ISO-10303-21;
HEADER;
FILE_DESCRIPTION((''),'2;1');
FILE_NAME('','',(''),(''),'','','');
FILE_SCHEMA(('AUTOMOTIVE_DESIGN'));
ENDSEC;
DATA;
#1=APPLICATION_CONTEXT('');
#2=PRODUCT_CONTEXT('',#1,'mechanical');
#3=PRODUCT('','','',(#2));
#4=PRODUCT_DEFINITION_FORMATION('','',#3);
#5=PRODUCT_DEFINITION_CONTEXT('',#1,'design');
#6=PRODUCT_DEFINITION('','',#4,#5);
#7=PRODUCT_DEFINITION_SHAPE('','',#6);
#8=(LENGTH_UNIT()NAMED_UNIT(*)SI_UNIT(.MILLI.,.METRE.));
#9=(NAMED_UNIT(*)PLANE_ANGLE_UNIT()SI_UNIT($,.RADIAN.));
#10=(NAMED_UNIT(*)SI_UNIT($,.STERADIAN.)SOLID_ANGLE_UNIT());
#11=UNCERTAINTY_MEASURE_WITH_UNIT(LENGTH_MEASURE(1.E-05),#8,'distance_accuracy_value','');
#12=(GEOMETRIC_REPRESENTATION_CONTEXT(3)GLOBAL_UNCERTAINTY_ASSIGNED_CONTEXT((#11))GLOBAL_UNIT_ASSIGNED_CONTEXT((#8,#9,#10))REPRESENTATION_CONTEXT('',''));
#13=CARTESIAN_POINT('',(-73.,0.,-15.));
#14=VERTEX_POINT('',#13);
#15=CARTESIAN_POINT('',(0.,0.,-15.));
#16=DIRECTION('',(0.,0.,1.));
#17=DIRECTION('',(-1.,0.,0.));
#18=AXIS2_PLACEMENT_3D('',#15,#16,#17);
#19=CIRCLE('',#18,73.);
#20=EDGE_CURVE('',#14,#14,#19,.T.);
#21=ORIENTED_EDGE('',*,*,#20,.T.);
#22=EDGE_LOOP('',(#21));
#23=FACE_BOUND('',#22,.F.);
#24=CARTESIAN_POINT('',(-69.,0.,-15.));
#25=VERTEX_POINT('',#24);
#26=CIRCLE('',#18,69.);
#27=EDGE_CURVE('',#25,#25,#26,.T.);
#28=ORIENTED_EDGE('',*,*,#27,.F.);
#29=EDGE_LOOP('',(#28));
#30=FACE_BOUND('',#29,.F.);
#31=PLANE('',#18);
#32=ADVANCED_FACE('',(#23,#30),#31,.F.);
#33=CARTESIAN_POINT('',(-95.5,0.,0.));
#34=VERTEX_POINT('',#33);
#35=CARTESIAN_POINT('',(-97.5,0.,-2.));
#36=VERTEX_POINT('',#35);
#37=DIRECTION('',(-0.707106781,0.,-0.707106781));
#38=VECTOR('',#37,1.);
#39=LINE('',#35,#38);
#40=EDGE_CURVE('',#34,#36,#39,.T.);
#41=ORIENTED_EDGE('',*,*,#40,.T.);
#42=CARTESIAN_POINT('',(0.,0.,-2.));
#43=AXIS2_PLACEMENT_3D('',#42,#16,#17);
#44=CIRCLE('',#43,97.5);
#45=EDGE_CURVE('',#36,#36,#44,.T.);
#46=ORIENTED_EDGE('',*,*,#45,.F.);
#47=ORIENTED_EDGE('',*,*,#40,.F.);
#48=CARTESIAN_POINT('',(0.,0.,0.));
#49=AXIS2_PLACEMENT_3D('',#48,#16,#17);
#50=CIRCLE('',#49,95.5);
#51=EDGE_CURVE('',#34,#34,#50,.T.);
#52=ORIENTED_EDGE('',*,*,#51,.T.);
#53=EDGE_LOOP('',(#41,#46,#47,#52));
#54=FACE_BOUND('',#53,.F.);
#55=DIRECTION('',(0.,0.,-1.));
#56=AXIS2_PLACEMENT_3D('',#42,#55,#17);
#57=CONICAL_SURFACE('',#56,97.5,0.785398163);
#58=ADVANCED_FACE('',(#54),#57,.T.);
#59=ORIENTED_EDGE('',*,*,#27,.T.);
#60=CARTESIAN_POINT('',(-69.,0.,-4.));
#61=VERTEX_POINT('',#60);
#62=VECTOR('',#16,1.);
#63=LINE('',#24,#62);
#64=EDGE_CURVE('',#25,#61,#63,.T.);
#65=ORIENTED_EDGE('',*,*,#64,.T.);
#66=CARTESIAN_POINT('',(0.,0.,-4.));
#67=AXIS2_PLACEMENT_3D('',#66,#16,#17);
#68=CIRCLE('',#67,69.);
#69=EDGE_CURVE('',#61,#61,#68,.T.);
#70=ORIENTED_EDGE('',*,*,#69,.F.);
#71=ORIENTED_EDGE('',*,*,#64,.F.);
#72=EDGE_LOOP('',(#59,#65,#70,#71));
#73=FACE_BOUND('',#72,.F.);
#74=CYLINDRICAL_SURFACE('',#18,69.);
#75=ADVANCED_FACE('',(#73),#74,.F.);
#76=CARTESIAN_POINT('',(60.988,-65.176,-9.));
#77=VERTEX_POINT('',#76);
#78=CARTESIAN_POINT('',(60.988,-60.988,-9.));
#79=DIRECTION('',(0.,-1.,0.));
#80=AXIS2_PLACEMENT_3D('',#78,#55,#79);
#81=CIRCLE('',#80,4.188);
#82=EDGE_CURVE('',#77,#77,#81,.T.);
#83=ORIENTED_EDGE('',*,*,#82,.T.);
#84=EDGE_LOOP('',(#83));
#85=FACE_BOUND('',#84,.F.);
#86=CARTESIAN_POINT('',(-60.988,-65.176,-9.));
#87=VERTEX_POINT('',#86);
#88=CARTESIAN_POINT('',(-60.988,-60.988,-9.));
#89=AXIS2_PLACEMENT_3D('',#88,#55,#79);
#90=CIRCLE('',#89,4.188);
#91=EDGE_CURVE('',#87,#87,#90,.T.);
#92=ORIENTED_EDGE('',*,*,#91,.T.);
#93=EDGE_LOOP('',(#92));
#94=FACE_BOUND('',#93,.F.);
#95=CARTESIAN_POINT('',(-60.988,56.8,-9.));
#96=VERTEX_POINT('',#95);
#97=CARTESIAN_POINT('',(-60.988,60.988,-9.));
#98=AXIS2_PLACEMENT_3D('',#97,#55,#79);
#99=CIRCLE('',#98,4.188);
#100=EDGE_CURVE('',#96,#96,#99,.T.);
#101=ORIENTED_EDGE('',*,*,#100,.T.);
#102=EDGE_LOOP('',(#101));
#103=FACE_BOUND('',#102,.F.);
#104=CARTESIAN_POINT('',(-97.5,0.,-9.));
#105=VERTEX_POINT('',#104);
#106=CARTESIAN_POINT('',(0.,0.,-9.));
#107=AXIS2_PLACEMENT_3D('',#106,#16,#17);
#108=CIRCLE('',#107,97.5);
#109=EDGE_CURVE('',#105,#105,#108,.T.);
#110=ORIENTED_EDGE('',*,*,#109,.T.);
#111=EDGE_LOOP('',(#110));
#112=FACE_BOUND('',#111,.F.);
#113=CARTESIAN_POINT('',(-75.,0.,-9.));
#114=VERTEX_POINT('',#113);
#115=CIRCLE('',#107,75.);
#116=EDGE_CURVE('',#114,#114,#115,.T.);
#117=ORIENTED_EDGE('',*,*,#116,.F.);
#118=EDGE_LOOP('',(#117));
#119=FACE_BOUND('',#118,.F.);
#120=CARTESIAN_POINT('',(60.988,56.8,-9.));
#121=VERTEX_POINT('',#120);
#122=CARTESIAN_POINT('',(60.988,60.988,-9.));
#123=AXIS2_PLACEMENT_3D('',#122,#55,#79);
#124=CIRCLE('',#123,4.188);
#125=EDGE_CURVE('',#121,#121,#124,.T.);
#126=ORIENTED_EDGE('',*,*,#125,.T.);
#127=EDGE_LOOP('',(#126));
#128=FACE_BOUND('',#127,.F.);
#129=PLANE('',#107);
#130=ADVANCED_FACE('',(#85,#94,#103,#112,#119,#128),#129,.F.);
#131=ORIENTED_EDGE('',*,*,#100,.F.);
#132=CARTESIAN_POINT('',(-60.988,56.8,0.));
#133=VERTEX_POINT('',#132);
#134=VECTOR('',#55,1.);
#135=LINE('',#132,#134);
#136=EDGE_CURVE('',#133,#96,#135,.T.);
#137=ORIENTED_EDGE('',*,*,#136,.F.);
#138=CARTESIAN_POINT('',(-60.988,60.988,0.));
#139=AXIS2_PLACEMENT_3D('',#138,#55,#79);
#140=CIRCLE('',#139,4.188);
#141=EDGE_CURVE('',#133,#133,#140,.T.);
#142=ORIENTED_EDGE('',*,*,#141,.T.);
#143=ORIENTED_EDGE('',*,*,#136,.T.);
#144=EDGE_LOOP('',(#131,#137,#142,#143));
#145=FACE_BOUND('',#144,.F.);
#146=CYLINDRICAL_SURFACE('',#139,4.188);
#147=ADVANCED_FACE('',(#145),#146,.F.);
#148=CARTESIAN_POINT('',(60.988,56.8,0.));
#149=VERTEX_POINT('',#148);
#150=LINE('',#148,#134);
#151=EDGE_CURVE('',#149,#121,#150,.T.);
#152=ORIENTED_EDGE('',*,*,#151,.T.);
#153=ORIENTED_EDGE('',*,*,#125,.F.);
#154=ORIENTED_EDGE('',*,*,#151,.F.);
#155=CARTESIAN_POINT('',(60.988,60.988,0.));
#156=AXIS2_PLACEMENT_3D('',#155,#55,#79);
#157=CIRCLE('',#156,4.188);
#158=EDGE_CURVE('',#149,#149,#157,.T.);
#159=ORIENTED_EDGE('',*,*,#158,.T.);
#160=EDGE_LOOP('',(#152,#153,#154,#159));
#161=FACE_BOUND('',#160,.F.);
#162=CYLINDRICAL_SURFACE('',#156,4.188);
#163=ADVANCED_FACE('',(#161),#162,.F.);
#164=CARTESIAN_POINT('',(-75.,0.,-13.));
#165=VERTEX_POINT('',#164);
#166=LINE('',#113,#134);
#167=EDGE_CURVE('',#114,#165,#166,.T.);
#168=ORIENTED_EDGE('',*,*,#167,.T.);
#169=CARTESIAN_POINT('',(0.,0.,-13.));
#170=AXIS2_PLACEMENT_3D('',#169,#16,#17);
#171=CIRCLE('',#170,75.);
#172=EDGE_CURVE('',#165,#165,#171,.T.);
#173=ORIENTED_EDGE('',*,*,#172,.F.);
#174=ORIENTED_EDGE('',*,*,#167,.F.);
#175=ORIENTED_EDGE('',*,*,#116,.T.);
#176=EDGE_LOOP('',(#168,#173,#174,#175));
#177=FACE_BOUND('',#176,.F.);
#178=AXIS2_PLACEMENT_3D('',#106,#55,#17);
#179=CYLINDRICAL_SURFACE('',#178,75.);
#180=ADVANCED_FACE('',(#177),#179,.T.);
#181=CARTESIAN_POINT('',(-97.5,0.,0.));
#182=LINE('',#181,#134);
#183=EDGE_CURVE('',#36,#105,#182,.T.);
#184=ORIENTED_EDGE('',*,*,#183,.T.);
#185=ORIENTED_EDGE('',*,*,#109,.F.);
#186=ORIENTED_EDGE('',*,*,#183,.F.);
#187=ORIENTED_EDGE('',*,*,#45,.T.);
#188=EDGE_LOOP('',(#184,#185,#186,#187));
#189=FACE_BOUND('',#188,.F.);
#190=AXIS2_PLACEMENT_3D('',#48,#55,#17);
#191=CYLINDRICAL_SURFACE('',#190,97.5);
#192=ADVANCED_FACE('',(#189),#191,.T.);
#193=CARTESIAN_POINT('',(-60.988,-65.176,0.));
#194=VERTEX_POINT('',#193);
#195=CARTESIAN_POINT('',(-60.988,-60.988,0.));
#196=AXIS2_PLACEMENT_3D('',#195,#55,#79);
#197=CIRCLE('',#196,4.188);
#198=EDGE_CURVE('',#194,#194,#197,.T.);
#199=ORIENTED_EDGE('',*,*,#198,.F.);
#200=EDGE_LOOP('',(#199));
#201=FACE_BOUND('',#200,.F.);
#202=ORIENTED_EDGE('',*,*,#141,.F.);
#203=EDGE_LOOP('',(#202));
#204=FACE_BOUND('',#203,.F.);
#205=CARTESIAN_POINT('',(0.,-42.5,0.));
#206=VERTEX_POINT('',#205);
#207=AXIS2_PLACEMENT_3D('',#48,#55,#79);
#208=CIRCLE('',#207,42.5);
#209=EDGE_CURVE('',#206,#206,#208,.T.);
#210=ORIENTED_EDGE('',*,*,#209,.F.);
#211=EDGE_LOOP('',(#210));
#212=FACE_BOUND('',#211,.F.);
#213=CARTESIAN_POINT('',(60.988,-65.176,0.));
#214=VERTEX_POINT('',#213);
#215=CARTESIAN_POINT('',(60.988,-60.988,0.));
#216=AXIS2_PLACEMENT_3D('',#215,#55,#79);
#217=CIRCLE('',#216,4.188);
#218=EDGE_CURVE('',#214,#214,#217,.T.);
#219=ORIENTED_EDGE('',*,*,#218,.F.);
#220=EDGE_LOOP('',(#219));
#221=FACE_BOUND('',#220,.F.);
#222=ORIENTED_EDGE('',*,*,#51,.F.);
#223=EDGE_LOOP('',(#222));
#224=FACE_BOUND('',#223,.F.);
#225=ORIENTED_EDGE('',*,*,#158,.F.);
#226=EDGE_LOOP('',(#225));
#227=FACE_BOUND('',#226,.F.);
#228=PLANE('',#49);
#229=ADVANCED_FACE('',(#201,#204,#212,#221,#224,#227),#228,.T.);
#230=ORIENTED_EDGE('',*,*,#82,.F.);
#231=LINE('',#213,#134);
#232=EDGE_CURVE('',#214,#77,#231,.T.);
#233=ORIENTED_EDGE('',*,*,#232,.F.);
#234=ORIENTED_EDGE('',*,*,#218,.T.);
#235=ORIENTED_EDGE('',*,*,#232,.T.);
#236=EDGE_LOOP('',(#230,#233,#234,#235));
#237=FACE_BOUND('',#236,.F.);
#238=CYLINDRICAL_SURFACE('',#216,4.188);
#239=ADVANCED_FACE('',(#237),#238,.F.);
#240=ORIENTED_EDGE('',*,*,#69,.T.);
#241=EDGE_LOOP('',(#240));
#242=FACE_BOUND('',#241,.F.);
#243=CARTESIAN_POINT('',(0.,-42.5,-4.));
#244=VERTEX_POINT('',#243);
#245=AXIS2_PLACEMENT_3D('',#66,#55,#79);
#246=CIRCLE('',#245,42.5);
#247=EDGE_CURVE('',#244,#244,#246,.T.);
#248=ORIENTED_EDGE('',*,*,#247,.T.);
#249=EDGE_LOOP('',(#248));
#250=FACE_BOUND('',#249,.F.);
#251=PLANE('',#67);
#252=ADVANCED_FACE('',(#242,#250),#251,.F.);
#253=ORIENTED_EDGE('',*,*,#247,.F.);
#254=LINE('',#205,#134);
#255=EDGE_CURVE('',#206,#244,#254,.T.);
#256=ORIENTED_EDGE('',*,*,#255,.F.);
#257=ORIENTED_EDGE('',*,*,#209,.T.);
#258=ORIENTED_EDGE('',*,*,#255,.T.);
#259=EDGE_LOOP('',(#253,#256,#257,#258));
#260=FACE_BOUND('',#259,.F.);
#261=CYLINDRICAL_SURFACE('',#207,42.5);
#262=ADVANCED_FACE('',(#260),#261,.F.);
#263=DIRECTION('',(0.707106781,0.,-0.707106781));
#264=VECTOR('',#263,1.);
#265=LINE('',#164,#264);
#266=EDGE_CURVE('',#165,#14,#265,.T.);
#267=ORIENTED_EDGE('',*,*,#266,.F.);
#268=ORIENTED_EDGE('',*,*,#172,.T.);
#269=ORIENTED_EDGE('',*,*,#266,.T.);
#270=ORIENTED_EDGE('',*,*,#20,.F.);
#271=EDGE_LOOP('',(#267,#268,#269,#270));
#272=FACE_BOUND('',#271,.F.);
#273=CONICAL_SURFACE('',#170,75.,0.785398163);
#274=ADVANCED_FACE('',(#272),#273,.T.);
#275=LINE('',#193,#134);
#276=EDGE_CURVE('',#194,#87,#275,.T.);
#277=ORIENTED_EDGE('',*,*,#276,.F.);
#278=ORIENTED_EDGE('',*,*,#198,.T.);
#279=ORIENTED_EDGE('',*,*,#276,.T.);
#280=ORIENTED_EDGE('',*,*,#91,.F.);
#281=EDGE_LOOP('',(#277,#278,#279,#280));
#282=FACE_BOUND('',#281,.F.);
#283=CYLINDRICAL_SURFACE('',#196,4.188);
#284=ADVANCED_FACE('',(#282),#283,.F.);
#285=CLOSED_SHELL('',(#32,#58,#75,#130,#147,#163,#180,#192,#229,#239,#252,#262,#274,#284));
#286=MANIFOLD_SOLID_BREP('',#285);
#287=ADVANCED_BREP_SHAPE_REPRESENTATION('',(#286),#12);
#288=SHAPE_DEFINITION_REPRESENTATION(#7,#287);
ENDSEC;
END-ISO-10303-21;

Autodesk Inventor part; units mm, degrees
ref_plane "YZ Plane" through (0, 0, 0) normal (1, 0, 0) x (0, 1, 0)
ref_plane "XZ Plane" through (0, 0, 0) normal (0, 1, 0) x (-1, 0, 0)
ref_plane "XY Plane" through (0, 0, 0) normal (0, 0, 1) x (1, 0, 0)
sketch "Эскиз1" plane through (0, 0, 0) normal (0, 1, 0) x (-1, 0, 0)
  line L0 (0, 0) -> (97.5, 0)
  line L1 (97.5, 0) -> (97.5, -9)
  line L2 (97.5, -9) -> (75, -9)
  line L3 (75, -9) -> (75, -15)
  line L4 (0, -4) -> (0, 0)
  line L5 (75, -15) -> (69, -15)
  line L6 (69, -15) -> (69, -4)
  line L7 (69, -4) -> (0, -4)
  dimension "d0" = 195
  dimension "d1" = 150
  dimension "d3" = 9
  dimension "d5" = 15
  dimension "d6" = 138
  dimension "d7" = 4
revolve "Вращение1" add sketch "Эскиз1" angle 360 about axis through (0, 0, -4) along (0, 0, 1)
sketch "Эскиз3" plane through (0, 0, 0) normal (0, 0, 1) x (1, 0, 0)
  circle A0 centre (0, 0) radius 86.25 construction
  line L0 (0, 0) -> (-91.162, -91.162) construction
  line L1 (0, 0) -> (128.9225, 0) construction
  point P0 (0, 0)
  point P1 (-60.988, -60.988)
  point P2 (60.988, -60.988)
  point P3 (60.988, 60.988)
  point P4 (-60.988, 60.988)
  dimension "d15" = 172.5
  dimension "d16" = 135
  dimension "d19" = 360
hole "Отверстие1" at (-60.988, -60.988, 0) at (60.988, -60.988, 0) at (60.988, 60.988, 0) at (-60.988, 60.988, 0) direction (0, 0, -1) diameter 8.376 end through all thread size "M10x1.5" class "6H" standard "ISO Metric profile"
chamfer "Фаска1" distance 2 angle 45 2 edges at (75, 0, -15) (97.5, 0, 0)
sketch "Эскиз4" plane through (0, 0, 0) normal (0, 0, 1) x (1, 0, 0)
  circle A0 centre (0, 0) radius 97.5 projected
  point P0 (0, 0)
hole "Отверстие2" at (0, 0, 0) direction (0, 0, -1) diameter 85 end through all
properties part number "МПСТ Крышка подшипника с отверстием 150" material "Сталь, углеродистая"
